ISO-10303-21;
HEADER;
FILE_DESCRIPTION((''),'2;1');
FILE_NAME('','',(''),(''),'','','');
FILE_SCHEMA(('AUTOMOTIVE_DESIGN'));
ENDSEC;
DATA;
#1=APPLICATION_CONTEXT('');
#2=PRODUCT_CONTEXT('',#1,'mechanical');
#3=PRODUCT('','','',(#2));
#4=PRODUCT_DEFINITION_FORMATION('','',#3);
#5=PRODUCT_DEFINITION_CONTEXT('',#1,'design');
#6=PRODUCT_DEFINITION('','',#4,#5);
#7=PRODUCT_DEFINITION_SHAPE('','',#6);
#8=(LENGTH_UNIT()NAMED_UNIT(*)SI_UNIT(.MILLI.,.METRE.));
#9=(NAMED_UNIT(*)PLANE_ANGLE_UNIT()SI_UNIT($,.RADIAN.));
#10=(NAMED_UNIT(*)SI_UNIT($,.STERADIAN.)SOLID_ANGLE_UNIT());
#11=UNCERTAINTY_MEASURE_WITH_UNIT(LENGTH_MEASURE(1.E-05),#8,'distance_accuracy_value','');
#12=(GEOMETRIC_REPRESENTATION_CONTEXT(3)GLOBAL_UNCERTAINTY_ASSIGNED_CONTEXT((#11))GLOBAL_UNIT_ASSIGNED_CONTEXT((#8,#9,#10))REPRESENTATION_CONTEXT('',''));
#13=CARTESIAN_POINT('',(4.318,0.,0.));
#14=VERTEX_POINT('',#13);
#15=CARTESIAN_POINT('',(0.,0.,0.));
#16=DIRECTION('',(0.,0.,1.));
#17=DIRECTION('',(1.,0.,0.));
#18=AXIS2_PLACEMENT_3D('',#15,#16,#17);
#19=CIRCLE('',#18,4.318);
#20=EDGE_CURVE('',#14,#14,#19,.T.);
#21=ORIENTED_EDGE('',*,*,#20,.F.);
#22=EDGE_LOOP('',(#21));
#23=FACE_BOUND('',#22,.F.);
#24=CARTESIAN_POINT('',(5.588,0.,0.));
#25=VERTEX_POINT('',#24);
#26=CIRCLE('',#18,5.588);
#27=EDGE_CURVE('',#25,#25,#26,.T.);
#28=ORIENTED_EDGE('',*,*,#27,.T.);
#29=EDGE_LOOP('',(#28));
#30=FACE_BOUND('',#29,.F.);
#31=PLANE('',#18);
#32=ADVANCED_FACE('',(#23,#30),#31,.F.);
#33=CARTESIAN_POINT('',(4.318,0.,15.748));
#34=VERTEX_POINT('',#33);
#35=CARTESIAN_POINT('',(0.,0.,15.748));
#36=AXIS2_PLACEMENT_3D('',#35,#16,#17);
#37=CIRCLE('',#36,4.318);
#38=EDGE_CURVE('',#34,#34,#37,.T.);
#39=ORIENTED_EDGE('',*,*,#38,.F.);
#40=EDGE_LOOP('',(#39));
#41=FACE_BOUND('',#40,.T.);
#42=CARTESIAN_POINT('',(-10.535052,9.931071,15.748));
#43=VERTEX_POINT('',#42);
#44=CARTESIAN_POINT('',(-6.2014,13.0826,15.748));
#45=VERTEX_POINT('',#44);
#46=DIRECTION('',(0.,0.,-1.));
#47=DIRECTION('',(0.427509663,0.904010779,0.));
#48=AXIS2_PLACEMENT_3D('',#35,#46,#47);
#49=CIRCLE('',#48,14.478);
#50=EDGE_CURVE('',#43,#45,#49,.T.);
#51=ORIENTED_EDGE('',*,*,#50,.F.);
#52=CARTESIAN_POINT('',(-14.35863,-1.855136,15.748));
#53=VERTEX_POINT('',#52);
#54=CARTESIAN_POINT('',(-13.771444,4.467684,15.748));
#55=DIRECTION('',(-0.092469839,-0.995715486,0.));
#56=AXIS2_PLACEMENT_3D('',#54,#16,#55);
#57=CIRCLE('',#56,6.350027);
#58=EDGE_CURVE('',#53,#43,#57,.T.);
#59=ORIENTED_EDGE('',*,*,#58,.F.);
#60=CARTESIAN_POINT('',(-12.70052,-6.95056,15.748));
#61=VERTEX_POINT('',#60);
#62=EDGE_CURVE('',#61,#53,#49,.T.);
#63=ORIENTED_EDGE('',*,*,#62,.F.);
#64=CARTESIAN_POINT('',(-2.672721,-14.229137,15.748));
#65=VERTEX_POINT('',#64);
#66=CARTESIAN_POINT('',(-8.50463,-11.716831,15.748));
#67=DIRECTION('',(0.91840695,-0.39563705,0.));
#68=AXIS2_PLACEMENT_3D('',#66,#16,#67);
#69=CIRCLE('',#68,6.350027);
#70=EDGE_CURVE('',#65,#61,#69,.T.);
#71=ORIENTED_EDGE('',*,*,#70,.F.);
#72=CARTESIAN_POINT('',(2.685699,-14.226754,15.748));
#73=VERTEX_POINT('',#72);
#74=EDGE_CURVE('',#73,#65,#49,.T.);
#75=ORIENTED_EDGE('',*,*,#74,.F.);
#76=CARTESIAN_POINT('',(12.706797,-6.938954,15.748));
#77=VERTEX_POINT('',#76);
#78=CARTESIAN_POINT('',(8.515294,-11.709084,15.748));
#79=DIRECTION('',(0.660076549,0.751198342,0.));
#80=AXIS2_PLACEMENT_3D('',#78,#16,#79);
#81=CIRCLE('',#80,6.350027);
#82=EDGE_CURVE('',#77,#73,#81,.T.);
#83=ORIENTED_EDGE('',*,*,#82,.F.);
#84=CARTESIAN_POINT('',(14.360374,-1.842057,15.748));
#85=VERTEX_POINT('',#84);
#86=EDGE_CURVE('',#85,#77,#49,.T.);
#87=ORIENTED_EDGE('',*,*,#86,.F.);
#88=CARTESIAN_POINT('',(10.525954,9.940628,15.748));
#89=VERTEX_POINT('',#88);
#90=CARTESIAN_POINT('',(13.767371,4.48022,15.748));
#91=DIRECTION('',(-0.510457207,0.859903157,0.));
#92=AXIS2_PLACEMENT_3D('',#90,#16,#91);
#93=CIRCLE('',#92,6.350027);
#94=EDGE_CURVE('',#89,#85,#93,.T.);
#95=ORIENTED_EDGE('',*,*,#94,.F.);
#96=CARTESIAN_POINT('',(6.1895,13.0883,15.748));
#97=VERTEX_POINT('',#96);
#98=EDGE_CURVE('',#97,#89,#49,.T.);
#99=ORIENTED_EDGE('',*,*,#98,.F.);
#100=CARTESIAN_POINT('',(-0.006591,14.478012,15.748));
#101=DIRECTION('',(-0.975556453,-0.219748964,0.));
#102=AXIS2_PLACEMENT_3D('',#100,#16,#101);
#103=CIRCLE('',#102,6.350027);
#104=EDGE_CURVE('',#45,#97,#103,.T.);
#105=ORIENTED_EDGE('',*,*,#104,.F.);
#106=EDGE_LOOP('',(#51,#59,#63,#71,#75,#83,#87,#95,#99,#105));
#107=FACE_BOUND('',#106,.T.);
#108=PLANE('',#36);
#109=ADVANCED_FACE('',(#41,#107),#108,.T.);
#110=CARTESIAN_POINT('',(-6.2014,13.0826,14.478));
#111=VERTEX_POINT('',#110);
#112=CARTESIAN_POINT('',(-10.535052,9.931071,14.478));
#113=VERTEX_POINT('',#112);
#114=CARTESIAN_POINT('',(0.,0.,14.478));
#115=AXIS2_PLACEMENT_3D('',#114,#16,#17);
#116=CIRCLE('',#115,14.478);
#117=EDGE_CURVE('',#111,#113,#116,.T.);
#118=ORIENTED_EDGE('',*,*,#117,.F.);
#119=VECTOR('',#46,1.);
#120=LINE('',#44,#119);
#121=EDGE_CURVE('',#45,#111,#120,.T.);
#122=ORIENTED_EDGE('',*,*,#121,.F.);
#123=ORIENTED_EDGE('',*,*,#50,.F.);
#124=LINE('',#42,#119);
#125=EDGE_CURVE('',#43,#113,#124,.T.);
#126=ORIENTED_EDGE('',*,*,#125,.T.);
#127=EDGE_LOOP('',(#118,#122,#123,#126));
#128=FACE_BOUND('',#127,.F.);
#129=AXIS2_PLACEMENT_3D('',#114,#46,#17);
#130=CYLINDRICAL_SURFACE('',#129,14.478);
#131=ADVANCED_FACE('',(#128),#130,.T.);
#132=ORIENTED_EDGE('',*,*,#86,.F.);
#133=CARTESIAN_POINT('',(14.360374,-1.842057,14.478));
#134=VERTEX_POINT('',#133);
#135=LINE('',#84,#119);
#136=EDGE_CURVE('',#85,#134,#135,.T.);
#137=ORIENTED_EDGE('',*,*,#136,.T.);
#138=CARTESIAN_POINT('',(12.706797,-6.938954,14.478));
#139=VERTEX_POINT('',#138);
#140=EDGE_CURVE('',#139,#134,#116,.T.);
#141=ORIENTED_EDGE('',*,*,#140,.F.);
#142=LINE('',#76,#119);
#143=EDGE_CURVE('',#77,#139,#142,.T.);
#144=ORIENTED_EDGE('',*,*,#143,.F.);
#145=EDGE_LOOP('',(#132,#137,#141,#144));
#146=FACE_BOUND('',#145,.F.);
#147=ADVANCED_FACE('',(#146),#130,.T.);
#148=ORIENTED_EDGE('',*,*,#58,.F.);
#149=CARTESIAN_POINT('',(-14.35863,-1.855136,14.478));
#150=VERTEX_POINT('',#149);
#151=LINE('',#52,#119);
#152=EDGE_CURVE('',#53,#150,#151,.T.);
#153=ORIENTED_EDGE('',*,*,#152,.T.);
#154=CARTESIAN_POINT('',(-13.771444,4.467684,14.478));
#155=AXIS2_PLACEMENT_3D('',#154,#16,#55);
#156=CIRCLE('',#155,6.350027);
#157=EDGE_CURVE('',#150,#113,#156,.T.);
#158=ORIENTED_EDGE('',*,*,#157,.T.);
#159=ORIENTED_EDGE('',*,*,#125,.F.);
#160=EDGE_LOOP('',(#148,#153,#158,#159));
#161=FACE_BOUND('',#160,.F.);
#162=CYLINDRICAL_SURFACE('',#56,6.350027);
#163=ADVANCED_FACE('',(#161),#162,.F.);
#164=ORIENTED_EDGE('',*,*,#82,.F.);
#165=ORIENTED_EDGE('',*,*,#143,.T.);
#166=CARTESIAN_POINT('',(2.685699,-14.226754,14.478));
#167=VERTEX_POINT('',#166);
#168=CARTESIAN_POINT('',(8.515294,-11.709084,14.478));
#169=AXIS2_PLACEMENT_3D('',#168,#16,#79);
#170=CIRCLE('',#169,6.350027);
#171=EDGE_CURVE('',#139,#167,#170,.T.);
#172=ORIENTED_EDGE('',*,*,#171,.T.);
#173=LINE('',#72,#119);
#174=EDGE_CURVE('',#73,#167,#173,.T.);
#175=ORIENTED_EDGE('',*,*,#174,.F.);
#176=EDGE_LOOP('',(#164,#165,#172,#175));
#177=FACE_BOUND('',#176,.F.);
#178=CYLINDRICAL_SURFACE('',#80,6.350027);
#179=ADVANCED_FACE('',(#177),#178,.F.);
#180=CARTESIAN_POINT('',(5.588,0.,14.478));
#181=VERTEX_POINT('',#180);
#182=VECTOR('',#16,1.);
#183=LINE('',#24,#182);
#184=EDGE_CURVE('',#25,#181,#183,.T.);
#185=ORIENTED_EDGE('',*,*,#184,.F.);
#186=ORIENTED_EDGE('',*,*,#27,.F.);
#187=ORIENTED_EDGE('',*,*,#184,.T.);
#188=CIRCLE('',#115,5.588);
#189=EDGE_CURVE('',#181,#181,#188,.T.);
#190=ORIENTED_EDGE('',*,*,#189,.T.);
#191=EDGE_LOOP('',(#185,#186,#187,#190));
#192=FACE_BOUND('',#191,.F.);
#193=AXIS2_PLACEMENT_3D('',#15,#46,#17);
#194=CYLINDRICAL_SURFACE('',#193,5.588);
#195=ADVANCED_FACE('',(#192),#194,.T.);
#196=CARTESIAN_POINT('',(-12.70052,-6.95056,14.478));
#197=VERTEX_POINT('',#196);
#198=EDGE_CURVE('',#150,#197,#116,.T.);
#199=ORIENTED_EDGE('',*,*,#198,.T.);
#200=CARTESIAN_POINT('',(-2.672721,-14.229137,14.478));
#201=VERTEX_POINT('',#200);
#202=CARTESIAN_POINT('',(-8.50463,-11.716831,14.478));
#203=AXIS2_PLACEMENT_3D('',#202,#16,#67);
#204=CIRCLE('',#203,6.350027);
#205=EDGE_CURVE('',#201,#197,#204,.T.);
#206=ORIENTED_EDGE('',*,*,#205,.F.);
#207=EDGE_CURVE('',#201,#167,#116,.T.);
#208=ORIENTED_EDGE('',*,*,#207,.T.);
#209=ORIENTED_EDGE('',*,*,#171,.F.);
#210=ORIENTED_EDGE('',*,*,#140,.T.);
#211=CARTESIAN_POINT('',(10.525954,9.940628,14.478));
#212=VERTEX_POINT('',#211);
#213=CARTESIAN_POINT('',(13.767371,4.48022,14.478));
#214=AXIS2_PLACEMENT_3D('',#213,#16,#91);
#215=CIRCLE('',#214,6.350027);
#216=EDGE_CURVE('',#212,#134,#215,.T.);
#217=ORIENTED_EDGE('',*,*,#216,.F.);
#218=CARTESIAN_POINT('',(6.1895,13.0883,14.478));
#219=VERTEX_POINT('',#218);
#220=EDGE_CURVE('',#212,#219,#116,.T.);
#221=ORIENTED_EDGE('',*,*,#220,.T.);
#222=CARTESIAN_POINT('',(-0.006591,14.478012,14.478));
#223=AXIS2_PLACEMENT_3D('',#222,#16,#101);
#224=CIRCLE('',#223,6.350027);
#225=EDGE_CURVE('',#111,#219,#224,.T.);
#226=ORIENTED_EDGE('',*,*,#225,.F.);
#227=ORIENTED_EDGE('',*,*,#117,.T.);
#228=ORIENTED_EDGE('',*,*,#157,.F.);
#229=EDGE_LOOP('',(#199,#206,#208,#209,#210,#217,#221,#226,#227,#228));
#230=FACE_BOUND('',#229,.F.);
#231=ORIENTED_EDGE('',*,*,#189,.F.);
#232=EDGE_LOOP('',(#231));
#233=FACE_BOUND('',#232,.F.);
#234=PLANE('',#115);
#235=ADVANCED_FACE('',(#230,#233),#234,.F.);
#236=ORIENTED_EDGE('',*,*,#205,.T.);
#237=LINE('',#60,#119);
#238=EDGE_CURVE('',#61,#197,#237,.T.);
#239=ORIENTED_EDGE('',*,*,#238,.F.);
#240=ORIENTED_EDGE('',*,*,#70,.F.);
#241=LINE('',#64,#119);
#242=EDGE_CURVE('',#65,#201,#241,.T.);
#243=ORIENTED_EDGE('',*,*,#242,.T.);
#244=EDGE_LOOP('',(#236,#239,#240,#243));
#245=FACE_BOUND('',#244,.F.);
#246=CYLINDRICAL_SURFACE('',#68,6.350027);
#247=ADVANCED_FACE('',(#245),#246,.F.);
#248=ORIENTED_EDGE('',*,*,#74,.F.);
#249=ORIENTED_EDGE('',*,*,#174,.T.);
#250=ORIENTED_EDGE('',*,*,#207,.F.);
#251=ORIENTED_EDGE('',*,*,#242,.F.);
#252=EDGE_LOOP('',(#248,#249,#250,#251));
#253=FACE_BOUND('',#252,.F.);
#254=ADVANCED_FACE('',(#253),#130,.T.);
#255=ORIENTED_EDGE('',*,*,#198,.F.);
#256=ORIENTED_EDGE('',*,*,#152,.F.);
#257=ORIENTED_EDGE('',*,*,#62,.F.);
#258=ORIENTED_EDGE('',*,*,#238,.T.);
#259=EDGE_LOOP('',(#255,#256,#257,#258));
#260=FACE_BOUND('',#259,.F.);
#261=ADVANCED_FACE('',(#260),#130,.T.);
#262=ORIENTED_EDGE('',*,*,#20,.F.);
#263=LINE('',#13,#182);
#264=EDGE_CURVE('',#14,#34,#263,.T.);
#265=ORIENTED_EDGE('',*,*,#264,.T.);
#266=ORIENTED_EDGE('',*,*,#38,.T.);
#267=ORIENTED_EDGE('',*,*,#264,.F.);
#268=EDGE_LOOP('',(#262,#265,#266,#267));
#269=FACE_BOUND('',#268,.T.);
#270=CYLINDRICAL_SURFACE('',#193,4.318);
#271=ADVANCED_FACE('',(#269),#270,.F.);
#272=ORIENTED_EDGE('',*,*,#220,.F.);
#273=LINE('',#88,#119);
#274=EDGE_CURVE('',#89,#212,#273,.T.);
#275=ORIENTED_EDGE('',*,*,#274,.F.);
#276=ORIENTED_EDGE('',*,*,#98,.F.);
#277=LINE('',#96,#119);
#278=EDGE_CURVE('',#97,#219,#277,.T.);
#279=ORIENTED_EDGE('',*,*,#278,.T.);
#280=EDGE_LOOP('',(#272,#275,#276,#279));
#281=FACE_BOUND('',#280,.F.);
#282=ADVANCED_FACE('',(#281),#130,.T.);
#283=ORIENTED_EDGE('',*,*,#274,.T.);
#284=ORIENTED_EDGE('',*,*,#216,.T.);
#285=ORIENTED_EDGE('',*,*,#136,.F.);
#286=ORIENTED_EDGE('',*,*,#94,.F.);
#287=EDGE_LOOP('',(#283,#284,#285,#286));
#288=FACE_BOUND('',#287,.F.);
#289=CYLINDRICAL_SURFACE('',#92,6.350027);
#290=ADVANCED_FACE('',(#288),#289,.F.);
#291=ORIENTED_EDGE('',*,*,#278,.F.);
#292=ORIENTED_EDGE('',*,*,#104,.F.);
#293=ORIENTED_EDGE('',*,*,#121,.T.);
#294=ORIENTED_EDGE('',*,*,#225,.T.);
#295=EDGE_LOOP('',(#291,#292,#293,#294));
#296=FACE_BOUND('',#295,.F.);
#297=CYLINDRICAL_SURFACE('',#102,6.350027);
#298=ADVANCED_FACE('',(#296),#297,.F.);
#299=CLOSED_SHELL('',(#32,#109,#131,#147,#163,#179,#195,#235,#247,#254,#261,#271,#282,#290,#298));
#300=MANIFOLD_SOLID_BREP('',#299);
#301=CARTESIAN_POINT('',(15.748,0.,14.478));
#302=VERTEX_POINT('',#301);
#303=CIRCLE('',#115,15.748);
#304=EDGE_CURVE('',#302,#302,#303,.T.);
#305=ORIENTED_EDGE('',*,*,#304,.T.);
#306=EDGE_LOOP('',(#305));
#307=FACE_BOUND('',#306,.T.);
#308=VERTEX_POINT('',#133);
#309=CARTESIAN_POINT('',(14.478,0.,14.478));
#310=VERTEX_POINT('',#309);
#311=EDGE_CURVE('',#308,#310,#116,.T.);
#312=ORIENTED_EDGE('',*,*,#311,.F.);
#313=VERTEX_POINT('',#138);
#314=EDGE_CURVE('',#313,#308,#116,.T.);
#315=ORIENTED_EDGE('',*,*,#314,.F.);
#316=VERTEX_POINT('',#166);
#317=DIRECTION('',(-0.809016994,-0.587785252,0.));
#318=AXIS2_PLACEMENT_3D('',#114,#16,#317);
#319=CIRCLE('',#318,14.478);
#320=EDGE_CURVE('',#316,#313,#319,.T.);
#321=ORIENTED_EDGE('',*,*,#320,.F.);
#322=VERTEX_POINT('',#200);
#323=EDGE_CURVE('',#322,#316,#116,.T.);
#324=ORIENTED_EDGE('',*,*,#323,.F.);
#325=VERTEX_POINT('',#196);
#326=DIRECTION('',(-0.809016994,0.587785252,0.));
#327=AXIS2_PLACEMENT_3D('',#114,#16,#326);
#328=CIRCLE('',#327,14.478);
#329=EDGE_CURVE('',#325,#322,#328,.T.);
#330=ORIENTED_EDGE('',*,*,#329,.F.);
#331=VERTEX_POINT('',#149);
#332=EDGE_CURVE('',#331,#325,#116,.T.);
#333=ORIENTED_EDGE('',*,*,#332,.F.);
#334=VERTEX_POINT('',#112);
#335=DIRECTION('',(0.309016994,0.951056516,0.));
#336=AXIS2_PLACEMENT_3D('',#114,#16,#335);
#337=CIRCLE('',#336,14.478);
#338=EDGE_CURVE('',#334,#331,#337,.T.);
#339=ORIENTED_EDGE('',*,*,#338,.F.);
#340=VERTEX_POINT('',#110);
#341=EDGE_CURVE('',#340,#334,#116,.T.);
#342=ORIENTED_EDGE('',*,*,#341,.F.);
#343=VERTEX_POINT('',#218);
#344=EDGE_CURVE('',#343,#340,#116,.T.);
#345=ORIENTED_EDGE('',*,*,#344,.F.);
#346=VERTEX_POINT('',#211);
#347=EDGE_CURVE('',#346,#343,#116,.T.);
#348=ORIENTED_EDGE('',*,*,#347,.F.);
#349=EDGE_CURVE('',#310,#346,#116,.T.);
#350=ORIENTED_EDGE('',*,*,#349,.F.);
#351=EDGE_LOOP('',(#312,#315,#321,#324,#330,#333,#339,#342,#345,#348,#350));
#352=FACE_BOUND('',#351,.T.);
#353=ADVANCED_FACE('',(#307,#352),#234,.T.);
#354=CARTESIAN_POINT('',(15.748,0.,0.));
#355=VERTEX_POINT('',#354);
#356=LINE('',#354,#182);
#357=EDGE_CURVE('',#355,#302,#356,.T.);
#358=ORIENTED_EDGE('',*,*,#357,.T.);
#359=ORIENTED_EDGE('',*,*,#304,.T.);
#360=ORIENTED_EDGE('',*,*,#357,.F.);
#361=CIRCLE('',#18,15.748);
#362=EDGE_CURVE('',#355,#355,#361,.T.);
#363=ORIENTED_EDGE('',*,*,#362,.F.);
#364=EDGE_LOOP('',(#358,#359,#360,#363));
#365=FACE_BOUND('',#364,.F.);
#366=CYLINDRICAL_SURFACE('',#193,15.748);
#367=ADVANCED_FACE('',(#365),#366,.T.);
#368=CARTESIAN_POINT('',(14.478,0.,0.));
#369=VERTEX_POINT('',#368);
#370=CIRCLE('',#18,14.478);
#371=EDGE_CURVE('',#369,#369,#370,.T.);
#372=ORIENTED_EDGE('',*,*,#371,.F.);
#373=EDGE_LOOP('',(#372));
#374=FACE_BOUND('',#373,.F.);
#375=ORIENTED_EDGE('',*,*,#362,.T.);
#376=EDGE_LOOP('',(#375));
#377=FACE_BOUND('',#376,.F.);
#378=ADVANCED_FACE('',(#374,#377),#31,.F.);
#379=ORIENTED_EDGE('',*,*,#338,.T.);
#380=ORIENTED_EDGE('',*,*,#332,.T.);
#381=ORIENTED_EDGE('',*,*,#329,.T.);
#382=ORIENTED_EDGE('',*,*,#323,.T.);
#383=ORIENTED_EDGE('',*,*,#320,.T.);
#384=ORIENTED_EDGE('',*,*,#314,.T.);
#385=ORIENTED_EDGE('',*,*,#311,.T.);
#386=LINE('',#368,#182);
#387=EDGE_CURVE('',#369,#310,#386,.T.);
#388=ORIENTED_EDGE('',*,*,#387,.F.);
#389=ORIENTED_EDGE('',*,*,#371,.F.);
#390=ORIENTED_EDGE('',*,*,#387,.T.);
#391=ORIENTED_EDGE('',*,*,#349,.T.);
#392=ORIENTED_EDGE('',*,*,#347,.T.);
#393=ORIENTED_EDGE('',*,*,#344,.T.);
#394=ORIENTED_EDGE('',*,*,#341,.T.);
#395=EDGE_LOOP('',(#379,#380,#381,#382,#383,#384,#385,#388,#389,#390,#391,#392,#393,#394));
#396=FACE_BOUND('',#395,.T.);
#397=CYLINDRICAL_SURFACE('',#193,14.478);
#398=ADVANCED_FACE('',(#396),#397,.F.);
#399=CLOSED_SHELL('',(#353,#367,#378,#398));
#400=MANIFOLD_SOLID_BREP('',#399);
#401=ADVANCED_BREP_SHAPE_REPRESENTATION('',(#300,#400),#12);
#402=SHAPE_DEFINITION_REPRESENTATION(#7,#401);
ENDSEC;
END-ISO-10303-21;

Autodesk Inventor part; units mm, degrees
ref_plane "YZ Plane" through (0, 0, 0) normal (1, 0, 0) x (0, 1, 0)
ref_plane "XZ Plane" through (0, 0, 0) normal (0, 1, 0) x (-1, 0, 0)
ref_plane "XY Plane" through (0, 0, 0) normal (0, 0, 1) x (1, 0, 0)
sketch "Sketch1" plane through (0, 0, 0) normal (0, 0, 1) x (1, 0, 0)
  circle A0 centre (0, 0) radius 5.588
  circle A1 centre (0, 0) radius 4.318
  circle A2 centre (0, 0) radius 14.478
  circle A3 centre (0, 0) radius 15.748
  dimension "d0" = 11.176
  dimension "d1" = 1.27
  dimension "d2" = 8.89
  dimension "d3" = 1.27
extrude "Extrusion1" add sketch "Sketch1" along normal blind 14.478
sketch "Sketch2" plane through (0, 0, 14.478) normal (0, 0, 1) x (1, 0, 0)
  circle A0 centre (0, 0) radius 14.478 projected
  circle A1 centre (0, 0) radius 15.748 projected
  circle A2 centre (0, 0) radius 5.588 projected
  circle A3 centre (0, 0) radius 4.318 projected
  circle A4 centre (0, 0) radius 5.588 projected
extrude "Extrusion2" add sketch "Sketch2" along normal blind 1.27 contours A0 | A2
sketch "Sketch4" plane through (0, 0, 15.748) normal (0, 0, 1) x (1, 0, 0)
  circle A0 centre (0, 0) radius 14.478 projected
  circle A1 centre (0, 0) radius 4.318 projected
  circle A2 centre (0, 0) radius 14.478 projected
  arc A3 (-6.2014, 13.0826) -> (6.1895, 13.0883) centre (-0.0066, 14.478) ccw
  arc A4 (-14.3587, -1.8551) -> (-10.535, 9.931) centre (-13.7714, 4.4677) ccw
  arc A5 (-2.6728, -14.2292) -> (-12.7005, -6.9505) centre (-8.5046, -11.7168) ccw
  arc A6 (12.7068, -6.939) -> (2.6857, -14.2267) centre (8.5153, -11.7091) ccw
  arc A7 (10.526, 9.9406) -> (14.3603, -1.842) centre (13.7674, 4.4802) ccw
  dimension "d15" = 28.956
  dimension "d8" = 12.7
  dimension "d11" = 360
  dimension "d13" = 6.35
  dimension "d14" = 6.35
  dimension "d16" = 3.81
  dimension "d17" = 8.636
extrude "Extrusion3" cut sketch "Sketch4" against normal blind 1.27 contours A3 A0
pattern_circular "Circular Pattern1" count 5 over 360 about axis through (0, 0, 14.478) along (0, 0, 1) of "Extrusion3"
properties part number "wheelMB"
